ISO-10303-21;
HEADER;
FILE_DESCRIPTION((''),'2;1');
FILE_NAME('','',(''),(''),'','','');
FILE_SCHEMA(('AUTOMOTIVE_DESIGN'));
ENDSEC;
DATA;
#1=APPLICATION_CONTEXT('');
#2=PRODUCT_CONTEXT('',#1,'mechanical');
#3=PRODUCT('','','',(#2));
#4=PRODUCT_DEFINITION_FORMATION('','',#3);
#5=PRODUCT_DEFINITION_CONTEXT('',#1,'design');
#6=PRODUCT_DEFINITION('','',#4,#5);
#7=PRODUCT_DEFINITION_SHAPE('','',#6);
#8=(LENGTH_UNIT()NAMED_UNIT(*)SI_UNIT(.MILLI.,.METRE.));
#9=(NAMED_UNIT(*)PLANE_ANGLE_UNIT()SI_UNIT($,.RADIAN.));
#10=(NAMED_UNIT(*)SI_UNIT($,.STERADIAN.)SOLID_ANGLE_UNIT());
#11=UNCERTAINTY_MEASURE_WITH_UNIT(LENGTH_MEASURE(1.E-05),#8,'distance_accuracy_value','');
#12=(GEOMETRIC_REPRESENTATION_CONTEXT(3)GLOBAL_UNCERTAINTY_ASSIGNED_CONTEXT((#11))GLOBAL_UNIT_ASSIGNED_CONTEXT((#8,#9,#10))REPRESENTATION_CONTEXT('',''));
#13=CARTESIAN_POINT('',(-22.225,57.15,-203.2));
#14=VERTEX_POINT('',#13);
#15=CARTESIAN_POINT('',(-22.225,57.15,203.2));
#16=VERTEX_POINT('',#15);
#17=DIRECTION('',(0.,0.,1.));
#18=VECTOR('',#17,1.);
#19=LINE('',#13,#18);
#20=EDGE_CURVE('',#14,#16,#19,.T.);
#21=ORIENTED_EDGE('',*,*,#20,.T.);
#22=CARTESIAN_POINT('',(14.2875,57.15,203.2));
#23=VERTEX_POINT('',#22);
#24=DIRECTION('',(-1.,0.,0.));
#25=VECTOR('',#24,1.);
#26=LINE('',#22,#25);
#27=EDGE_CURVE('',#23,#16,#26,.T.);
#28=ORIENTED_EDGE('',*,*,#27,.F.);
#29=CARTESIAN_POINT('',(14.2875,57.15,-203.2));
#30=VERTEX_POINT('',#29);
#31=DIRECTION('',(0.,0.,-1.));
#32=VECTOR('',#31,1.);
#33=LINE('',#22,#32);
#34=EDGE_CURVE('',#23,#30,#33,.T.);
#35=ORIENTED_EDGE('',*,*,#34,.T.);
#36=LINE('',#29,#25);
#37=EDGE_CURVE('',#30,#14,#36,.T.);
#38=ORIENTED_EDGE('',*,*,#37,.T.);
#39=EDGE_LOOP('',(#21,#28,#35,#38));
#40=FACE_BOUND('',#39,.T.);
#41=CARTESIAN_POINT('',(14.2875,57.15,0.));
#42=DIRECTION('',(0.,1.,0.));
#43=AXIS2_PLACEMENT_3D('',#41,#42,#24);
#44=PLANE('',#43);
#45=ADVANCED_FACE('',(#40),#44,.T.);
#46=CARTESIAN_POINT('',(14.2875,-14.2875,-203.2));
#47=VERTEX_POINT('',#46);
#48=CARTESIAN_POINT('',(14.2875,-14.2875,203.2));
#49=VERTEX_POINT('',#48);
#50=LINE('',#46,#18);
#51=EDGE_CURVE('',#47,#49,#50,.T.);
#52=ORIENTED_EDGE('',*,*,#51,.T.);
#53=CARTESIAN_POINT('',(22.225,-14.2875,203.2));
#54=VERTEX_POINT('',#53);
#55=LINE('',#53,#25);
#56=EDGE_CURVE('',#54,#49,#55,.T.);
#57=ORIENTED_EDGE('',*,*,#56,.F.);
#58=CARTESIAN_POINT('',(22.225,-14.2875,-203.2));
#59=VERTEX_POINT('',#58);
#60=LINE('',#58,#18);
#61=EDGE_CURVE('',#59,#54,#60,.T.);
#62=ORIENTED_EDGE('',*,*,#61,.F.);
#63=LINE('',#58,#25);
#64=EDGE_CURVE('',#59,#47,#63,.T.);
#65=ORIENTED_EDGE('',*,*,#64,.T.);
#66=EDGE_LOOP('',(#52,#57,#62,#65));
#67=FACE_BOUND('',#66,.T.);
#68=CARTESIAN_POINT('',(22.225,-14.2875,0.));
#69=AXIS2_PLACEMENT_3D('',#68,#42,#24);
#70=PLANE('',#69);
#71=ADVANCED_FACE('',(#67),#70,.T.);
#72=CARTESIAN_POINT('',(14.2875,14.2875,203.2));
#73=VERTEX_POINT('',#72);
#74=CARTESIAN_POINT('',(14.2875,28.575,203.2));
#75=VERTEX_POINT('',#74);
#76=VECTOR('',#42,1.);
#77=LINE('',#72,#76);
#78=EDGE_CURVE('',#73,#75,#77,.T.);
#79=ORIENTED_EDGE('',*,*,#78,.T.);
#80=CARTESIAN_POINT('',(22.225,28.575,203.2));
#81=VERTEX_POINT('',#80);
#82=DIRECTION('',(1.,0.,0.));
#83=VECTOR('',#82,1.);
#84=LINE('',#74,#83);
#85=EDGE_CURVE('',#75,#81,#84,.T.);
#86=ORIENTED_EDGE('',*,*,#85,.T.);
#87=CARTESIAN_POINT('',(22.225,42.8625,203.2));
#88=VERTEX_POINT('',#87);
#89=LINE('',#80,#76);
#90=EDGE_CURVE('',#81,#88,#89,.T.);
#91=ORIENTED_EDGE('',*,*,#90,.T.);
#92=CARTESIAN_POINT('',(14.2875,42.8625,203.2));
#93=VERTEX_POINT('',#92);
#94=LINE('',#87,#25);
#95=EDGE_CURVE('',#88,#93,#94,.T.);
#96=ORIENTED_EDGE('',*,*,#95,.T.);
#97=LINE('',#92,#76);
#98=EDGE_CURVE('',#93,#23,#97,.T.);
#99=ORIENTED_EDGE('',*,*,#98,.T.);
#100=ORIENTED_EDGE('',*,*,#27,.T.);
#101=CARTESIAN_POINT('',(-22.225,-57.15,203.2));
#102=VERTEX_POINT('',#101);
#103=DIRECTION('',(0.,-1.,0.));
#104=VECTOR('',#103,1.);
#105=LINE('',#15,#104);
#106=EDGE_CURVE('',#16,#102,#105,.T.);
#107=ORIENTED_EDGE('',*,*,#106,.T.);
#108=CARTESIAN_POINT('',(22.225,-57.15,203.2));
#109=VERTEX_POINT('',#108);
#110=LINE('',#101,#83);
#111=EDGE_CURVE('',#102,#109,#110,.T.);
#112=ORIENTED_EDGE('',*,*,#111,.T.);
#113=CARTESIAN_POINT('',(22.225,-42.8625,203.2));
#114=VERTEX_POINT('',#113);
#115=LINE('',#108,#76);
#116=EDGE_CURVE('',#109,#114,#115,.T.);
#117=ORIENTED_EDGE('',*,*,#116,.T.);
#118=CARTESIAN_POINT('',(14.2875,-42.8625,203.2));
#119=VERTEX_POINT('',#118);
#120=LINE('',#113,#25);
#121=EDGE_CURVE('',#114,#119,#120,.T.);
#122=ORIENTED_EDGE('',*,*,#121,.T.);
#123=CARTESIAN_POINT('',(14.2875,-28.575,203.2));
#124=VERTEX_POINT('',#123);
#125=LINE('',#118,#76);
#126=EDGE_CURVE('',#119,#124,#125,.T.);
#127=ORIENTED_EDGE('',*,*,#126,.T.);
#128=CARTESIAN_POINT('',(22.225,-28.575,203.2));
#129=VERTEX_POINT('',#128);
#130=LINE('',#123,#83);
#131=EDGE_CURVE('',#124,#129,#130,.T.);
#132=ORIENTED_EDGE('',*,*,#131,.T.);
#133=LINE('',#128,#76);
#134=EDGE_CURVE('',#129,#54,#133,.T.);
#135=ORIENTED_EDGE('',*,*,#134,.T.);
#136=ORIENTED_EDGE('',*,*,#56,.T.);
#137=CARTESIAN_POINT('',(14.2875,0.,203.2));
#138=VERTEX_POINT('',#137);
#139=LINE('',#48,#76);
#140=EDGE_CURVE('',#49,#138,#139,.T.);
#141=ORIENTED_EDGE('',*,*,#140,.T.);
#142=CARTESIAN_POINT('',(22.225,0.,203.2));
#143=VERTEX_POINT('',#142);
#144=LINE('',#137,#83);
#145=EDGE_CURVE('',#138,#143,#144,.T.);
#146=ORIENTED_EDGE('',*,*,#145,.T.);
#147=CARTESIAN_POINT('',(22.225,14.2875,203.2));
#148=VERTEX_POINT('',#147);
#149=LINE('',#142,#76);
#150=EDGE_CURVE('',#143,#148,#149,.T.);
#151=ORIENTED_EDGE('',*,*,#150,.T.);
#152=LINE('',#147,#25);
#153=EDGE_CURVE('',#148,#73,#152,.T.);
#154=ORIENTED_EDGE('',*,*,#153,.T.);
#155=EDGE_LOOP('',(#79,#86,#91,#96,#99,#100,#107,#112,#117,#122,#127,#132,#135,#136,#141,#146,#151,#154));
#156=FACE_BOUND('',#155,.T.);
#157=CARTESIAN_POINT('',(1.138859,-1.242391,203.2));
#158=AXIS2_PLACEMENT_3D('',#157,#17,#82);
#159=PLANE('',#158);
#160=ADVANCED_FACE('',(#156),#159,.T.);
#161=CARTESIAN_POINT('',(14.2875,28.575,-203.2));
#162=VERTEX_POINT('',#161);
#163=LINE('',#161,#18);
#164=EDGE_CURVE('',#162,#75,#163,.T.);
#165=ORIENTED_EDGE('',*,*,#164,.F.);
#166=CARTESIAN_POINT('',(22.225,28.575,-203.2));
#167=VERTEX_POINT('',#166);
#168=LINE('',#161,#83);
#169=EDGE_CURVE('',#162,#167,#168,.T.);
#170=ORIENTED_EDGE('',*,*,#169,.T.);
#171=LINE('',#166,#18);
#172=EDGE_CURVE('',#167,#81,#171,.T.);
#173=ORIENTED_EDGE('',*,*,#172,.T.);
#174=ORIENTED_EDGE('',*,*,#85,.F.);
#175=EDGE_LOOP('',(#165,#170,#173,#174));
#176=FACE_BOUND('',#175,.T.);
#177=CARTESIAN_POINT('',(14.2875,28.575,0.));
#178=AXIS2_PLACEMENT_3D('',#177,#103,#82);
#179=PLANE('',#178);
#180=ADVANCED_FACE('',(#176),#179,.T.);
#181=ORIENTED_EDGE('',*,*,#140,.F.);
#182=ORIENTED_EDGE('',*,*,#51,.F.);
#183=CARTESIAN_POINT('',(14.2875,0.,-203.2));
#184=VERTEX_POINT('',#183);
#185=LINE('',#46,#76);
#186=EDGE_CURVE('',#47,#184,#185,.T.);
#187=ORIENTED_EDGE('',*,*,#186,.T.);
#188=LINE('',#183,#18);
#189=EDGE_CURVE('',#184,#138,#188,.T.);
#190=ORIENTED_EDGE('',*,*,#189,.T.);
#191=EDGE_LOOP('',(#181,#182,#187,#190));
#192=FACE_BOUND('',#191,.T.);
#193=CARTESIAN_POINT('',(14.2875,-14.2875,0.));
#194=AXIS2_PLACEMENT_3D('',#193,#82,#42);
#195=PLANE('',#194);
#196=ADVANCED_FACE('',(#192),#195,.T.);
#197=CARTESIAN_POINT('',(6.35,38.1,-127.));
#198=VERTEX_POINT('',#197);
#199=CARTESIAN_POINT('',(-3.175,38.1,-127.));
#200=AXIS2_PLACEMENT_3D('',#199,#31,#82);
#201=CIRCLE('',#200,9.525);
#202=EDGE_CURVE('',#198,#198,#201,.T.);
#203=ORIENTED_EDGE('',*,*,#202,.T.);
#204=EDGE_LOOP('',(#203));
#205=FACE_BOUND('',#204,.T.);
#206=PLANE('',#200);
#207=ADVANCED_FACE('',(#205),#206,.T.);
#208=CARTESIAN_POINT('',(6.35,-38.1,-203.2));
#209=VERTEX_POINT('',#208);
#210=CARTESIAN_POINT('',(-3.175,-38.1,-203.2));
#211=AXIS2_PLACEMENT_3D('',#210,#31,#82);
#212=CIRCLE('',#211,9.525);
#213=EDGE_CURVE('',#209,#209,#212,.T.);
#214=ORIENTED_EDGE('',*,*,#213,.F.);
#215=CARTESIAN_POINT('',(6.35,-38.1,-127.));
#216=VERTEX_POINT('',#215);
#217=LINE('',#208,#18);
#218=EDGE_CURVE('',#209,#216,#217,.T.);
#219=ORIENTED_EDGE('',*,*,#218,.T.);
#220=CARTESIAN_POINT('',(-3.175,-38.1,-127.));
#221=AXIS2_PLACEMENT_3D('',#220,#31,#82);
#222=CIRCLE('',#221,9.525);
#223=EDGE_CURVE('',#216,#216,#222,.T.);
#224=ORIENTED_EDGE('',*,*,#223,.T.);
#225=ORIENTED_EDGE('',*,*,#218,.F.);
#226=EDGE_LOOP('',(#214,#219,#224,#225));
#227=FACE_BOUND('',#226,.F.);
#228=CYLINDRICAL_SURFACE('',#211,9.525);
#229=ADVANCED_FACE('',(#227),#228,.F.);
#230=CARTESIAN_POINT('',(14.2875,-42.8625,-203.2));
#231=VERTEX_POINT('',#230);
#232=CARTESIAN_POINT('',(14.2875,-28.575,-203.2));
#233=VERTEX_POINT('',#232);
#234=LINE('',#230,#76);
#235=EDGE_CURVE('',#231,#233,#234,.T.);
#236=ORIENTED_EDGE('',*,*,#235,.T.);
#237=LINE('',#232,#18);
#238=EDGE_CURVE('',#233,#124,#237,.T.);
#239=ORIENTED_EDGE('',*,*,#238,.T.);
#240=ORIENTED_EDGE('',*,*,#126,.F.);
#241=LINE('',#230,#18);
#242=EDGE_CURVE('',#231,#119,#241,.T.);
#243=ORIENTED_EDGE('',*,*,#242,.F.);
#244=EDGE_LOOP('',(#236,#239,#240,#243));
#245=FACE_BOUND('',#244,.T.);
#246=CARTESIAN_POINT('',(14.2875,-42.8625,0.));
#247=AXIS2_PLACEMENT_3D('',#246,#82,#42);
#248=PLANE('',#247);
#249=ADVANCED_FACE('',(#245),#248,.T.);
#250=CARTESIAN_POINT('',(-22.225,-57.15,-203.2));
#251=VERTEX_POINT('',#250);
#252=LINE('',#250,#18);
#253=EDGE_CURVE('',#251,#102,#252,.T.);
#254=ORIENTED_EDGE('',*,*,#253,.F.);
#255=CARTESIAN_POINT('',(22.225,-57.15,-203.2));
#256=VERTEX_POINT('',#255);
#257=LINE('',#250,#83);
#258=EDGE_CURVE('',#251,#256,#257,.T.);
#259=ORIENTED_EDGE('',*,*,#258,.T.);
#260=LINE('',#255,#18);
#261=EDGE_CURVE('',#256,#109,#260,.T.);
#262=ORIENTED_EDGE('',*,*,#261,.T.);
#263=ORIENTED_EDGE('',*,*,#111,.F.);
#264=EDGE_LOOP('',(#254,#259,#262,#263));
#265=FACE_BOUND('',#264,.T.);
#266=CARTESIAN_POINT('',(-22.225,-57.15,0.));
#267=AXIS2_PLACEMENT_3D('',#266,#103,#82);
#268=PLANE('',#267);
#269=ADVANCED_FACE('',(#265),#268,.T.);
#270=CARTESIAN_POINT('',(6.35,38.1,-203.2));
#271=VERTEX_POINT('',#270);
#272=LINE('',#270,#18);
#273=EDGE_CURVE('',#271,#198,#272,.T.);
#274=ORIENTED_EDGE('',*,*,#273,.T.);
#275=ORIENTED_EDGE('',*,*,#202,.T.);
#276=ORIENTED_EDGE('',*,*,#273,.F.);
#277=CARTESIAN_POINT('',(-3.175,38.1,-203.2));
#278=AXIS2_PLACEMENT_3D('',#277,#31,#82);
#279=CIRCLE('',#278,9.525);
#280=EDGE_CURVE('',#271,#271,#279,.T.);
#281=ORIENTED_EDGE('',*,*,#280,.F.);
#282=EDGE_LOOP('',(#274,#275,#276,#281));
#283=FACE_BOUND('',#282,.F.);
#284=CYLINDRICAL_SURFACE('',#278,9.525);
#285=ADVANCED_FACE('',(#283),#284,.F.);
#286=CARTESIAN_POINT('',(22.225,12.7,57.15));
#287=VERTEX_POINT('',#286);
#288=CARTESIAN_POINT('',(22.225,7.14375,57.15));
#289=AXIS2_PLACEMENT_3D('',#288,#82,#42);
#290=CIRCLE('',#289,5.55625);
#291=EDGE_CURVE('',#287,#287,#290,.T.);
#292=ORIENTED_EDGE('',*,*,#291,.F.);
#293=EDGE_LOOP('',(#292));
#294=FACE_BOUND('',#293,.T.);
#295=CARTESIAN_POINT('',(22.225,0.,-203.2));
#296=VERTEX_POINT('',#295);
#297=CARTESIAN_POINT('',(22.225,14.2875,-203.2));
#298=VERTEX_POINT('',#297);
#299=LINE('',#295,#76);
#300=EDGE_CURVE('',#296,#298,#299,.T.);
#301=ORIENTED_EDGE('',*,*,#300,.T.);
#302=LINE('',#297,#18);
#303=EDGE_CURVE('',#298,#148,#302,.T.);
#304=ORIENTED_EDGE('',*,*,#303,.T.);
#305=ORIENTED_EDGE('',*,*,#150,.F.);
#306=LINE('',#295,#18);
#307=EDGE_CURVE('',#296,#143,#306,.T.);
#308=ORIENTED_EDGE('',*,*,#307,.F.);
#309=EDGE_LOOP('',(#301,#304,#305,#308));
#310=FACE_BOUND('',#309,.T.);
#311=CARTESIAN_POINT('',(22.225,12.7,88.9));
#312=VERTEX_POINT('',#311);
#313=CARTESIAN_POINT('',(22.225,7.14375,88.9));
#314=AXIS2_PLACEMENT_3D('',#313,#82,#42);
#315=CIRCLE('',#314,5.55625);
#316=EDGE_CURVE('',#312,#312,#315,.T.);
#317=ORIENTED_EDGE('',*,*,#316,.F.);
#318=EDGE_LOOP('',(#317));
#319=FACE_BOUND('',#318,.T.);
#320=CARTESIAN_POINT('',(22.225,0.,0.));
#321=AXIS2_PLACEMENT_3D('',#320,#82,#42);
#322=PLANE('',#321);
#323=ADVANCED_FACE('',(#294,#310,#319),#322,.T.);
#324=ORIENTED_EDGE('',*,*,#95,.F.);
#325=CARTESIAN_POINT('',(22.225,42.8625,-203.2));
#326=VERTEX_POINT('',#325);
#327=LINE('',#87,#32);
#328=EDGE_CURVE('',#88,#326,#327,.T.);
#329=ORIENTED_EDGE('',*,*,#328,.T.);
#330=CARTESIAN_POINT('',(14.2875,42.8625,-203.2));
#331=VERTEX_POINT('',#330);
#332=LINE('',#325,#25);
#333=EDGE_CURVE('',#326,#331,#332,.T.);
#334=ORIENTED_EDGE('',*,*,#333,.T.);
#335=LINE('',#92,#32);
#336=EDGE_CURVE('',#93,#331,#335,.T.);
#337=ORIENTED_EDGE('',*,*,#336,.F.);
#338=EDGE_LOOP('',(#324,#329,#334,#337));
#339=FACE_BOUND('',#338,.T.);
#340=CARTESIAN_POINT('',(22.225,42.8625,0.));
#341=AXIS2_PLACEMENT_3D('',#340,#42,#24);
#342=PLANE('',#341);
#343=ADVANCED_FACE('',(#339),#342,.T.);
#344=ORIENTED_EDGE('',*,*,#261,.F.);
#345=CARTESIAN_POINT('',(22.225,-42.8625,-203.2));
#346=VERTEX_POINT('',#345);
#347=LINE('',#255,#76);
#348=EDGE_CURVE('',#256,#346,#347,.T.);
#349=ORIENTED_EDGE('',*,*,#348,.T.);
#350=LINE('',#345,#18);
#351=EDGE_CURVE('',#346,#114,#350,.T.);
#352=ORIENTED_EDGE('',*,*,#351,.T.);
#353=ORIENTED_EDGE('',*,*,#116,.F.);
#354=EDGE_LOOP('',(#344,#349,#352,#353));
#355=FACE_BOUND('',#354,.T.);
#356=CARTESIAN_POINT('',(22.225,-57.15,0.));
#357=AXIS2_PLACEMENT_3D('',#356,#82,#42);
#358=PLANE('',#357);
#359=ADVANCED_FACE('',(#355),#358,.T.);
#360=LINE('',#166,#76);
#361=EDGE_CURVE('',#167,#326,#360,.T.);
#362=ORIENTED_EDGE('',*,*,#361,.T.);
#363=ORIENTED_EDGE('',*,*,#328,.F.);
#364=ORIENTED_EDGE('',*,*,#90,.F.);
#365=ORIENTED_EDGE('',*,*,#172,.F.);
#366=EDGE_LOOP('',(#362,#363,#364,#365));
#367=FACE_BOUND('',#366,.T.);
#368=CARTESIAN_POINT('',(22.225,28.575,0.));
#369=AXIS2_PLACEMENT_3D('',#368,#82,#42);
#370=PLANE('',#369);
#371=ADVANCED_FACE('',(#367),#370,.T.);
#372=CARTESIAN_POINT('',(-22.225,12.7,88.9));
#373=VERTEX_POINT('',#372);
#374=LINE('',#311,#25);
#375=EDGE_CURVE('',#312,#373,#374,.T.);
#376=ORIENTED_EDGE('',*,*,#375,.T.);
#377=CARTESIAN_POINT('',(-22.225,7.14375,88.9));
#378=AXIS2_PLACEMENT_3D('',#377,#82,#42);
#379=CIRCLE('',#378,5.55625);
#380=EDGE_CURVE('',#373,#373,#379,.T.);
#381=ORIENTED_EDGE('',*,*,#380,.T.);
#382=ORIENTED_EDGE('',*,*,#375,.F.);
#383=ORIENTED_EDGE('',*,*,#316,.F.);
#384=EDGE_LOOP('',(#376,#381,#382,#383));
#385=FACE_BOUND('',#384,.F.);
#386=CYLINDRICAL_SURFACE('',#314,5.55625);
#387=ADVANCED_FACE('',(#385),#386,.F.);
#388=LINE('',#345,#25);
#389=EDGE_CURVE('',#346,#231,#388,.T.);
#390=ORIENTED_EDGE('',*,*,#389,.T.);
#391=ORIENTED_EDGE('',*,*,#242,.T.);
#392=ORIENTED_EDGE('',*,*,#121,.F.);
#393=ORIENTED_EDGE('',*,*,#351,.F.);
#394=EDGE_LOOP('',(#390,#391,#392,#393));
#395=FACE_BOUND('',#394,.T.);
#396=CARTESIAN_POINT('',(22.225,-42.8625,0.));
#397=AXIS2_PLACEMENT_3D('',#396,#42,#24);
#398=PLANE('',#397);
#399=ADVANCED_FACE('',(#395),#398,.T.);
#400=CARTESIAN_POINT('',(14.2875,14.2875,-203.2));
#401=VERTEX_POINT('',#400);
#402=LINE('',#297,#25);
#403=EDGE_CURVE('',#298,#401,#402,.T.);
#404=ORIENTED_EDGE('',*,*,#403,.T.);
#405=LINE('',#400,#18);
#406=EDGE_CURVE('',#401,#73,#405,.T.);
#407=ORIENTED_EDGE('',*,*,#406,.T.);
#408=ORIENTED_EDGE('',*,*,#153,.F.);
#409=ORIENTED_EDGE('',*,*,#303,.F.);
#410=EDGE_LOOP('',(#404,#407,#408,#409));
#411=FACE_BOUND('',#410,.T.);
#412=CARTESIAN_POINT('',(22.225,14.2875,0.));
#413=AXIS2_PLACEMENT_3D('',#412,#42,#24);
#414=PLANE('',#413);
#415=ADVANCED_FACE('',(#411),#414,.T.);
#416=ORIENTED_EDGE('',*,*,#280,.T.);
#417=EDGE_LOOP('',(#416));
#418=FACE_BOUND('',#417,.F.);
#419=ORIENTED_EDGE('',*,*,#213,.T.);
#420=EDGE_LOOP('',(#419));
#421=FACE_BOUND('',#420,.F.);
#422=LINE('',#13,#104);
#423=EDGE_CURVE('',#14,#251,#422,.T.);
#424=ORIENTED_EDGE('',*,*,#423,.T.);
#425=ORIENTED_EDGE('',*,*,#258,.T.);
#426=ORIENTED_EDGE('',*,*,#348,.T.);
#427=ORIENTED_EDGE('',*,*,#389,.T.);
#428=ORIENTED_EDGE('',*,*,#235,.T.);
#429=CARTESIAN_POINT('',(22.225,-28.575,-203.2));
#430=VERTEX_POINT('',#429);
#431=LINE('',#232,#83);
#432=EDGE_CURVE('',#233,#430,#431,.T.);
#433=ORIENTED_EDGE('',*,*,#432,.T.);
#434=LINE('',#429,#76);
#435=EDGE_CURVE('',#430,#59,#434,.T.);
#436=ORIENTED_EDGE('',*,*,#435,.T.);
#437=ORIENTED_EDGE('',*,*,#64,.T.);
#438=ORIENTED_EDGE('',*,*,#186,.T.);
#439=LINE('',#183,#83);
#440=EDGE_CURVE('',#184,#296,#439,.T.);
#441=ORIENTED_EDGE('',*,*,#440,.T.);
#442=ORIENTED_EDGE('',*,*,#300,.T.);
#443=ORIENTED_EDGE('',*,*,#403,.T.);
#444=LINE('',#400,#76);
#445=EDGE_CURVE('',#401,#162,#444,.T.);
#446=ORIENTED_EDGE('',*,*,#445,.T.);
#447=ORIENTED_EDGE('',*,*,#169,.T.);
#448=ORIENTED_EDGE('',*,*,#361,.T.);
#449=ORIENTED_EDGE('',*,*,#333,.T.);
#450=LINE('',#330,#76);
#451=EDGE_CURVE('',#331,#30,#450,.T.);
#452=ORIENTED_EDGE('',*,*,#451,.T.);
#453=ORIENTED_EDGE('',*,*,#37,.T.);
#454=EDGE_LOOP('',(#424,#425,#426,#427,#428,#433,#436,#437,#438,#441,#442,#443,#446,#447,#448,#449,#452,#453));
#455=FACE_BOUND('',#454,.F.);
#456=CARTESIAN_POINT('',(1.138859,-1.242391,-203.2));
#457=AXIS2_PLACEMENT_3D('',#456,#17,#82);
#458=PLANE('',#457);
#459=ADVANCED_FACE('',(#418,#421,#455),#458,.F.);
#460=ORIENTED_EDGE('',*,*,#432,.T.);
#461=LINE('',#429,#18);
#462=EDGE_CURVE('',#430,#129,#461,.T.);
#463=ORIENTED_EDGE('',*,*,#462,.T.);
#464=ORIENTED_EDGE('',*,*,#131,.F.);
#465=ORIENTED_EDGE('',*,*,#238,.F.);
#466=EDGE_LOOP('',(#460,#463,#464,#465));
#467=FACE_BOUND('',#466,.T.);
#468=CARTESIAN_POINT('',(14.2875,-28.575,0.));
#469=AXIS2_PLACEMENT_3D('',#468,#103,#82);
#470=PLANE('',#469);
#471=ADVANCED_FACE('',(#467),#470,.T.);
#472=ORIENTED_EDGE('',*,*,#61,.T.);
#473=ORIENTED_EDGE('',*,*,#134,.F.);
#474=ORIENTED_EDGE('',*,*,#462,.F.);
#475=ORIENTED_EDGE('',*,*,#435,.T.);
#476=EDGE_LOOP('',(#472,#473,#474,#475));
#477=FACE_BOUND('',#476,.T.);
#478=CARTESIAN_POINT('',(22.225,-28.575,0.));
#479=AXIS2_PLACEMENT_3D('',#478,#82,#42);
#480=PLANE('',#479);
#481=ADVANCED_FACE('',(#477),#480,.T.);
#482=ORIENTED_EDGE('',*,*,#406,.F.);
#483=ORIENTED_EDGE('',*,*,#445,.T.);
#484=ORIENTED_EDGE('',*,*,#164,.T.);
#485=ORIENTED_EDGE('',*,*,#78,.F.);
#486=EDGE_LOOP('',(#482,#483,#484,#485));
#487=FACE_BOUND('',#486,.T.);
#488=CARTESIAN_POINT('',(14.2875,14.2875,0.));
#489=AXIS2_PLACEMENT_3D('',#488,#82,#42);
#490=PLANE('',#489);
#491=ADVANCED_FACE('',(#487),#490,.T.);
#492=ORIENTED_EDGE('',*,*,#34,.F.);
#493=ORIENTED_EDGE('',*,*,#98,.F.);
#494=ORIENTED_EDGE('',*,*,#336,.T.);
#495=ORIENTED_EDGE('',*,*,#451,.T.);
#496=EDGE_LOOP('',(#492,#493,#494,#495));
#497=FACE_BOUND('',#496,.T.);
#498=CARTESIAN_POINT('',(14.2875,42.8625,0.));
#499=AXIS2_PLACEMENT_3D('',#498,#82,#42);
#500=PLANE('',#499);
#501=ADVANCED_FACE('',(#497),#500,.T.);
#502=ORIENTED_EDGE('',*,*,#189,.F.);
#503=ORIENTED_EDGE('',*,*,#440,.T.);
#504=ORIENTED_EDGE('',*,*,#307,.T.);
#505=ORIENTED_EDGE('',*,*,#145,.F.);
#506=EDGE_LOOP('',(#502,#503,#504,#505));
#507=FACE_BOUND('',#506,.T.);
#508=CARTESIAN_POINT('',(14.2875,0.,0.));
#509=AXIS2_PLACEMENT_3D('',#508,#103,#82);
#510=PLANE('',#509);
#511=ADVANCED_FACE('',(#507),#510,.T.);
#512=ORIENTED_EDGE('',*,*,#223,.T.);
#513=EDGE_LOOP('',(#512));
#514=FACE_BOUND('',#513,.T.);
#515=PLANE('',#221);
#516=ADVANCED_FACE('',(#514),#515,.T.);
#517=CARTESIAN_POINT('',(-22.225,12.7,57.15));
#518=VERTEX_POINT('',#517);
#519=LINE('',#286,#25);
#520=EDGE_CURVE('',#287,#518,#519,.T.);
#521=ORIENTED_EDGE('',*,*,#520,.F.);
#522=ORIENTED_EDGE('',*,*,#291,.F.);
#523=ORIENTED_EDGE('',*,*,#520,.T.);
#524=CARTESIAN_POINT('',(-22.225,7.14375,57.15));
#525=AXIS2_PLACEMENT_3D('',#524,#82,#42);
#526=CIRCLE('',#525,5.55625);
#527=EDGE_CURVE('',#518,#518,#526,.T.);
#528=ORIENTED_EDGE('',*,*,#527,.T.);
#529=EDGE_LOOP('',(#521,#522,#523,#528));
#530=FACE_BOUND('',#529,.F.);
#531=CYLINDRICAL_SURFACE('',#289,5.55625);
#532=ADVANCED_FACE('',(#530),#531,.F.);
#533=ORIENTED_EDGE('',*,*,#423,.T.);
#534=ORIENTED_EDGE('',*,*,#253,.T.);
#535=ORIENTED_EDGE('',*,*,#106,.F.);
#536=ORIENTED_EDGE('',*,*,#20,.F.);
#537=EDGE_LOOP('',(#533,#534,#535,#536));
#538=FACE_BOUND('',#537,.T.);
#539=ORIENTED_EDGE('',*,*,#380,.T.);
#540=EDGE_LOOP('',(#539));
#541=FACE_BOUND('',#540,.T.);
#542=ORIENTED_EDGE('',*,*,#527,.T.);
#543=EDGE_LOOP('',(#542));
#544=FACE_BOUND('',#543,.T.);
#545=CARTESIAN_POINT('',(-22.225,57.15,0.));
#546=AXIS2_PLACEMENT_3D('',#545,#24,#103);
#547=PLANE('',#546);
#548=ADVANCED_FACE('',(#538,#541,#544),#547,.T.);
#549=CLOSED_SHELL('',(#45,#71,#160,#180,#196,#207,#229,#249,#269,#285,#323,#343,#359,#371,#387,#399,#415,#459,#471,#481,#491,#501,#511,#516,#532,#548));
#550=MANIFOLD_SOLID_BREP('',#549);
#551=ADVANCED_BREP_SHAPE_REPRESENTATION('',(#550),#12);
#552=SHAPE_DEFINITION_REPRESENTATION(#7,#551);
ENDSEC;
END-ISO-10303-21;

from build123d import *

# Parameters (mm, degrees)
F1_DEPTH = 203.2
F2_R     = 5.55625
F3_DEPTH = 44.451
F4_R     = 9.525
F5_DEPTH = 76.2


with BuildPart() as f1:
    # F0 (on Top) → F1 (new body, symmetric)
    with BuildSketch(Plane.XY):
        Polygon((14.2875, 57.15), (-22.225, 57.15), (-22.225, -57.15), (22.225, -57.15), (22.225, -42.8625), (14.2875, -42.8625), (14.2875, -28.575), (22.225, -28.575), (22.225, -14.2875), (14.2875, -14.2875), (14.2875, 0), (22.225, 0), (22.225, 14.2875), (14.2875, 14.2875), (14.2875, 28.575), (22.225, 28.575), (22.225, 42.8625), (14.2875, 42.8625), align=None)
    extrude(amount=F1_DEPTH, both=True)

    # F2 (on face) → F3 (cut, through all)
    with BuildSketch(Plane.YZ.offset(22.225)):
        with Locations((7.14375, 88.9)):
            Circle(F2_R)
        with Locations((7.14375, 57.15)):
            Circle(F2_R)
    extrude(amount=-F3_DEPTH, mode=Mode.SUBTRACT)

    # F4 (on face) → F5 (cut)
    with BuildSketch(Plane(origin=(0, 0, -203.2), x_dir=(1, 0, 0), z_dir=(0, 0, -1))):
        with Locations((-3.175, 38.1)):
            Circle(F4_R)
        with Locations((-3.175, -38.1)):
            Circle(F4_R)
    extrude(amount=-F5_DEPTH, mode=Mode.SUBTRACT)


solid = f1.part
